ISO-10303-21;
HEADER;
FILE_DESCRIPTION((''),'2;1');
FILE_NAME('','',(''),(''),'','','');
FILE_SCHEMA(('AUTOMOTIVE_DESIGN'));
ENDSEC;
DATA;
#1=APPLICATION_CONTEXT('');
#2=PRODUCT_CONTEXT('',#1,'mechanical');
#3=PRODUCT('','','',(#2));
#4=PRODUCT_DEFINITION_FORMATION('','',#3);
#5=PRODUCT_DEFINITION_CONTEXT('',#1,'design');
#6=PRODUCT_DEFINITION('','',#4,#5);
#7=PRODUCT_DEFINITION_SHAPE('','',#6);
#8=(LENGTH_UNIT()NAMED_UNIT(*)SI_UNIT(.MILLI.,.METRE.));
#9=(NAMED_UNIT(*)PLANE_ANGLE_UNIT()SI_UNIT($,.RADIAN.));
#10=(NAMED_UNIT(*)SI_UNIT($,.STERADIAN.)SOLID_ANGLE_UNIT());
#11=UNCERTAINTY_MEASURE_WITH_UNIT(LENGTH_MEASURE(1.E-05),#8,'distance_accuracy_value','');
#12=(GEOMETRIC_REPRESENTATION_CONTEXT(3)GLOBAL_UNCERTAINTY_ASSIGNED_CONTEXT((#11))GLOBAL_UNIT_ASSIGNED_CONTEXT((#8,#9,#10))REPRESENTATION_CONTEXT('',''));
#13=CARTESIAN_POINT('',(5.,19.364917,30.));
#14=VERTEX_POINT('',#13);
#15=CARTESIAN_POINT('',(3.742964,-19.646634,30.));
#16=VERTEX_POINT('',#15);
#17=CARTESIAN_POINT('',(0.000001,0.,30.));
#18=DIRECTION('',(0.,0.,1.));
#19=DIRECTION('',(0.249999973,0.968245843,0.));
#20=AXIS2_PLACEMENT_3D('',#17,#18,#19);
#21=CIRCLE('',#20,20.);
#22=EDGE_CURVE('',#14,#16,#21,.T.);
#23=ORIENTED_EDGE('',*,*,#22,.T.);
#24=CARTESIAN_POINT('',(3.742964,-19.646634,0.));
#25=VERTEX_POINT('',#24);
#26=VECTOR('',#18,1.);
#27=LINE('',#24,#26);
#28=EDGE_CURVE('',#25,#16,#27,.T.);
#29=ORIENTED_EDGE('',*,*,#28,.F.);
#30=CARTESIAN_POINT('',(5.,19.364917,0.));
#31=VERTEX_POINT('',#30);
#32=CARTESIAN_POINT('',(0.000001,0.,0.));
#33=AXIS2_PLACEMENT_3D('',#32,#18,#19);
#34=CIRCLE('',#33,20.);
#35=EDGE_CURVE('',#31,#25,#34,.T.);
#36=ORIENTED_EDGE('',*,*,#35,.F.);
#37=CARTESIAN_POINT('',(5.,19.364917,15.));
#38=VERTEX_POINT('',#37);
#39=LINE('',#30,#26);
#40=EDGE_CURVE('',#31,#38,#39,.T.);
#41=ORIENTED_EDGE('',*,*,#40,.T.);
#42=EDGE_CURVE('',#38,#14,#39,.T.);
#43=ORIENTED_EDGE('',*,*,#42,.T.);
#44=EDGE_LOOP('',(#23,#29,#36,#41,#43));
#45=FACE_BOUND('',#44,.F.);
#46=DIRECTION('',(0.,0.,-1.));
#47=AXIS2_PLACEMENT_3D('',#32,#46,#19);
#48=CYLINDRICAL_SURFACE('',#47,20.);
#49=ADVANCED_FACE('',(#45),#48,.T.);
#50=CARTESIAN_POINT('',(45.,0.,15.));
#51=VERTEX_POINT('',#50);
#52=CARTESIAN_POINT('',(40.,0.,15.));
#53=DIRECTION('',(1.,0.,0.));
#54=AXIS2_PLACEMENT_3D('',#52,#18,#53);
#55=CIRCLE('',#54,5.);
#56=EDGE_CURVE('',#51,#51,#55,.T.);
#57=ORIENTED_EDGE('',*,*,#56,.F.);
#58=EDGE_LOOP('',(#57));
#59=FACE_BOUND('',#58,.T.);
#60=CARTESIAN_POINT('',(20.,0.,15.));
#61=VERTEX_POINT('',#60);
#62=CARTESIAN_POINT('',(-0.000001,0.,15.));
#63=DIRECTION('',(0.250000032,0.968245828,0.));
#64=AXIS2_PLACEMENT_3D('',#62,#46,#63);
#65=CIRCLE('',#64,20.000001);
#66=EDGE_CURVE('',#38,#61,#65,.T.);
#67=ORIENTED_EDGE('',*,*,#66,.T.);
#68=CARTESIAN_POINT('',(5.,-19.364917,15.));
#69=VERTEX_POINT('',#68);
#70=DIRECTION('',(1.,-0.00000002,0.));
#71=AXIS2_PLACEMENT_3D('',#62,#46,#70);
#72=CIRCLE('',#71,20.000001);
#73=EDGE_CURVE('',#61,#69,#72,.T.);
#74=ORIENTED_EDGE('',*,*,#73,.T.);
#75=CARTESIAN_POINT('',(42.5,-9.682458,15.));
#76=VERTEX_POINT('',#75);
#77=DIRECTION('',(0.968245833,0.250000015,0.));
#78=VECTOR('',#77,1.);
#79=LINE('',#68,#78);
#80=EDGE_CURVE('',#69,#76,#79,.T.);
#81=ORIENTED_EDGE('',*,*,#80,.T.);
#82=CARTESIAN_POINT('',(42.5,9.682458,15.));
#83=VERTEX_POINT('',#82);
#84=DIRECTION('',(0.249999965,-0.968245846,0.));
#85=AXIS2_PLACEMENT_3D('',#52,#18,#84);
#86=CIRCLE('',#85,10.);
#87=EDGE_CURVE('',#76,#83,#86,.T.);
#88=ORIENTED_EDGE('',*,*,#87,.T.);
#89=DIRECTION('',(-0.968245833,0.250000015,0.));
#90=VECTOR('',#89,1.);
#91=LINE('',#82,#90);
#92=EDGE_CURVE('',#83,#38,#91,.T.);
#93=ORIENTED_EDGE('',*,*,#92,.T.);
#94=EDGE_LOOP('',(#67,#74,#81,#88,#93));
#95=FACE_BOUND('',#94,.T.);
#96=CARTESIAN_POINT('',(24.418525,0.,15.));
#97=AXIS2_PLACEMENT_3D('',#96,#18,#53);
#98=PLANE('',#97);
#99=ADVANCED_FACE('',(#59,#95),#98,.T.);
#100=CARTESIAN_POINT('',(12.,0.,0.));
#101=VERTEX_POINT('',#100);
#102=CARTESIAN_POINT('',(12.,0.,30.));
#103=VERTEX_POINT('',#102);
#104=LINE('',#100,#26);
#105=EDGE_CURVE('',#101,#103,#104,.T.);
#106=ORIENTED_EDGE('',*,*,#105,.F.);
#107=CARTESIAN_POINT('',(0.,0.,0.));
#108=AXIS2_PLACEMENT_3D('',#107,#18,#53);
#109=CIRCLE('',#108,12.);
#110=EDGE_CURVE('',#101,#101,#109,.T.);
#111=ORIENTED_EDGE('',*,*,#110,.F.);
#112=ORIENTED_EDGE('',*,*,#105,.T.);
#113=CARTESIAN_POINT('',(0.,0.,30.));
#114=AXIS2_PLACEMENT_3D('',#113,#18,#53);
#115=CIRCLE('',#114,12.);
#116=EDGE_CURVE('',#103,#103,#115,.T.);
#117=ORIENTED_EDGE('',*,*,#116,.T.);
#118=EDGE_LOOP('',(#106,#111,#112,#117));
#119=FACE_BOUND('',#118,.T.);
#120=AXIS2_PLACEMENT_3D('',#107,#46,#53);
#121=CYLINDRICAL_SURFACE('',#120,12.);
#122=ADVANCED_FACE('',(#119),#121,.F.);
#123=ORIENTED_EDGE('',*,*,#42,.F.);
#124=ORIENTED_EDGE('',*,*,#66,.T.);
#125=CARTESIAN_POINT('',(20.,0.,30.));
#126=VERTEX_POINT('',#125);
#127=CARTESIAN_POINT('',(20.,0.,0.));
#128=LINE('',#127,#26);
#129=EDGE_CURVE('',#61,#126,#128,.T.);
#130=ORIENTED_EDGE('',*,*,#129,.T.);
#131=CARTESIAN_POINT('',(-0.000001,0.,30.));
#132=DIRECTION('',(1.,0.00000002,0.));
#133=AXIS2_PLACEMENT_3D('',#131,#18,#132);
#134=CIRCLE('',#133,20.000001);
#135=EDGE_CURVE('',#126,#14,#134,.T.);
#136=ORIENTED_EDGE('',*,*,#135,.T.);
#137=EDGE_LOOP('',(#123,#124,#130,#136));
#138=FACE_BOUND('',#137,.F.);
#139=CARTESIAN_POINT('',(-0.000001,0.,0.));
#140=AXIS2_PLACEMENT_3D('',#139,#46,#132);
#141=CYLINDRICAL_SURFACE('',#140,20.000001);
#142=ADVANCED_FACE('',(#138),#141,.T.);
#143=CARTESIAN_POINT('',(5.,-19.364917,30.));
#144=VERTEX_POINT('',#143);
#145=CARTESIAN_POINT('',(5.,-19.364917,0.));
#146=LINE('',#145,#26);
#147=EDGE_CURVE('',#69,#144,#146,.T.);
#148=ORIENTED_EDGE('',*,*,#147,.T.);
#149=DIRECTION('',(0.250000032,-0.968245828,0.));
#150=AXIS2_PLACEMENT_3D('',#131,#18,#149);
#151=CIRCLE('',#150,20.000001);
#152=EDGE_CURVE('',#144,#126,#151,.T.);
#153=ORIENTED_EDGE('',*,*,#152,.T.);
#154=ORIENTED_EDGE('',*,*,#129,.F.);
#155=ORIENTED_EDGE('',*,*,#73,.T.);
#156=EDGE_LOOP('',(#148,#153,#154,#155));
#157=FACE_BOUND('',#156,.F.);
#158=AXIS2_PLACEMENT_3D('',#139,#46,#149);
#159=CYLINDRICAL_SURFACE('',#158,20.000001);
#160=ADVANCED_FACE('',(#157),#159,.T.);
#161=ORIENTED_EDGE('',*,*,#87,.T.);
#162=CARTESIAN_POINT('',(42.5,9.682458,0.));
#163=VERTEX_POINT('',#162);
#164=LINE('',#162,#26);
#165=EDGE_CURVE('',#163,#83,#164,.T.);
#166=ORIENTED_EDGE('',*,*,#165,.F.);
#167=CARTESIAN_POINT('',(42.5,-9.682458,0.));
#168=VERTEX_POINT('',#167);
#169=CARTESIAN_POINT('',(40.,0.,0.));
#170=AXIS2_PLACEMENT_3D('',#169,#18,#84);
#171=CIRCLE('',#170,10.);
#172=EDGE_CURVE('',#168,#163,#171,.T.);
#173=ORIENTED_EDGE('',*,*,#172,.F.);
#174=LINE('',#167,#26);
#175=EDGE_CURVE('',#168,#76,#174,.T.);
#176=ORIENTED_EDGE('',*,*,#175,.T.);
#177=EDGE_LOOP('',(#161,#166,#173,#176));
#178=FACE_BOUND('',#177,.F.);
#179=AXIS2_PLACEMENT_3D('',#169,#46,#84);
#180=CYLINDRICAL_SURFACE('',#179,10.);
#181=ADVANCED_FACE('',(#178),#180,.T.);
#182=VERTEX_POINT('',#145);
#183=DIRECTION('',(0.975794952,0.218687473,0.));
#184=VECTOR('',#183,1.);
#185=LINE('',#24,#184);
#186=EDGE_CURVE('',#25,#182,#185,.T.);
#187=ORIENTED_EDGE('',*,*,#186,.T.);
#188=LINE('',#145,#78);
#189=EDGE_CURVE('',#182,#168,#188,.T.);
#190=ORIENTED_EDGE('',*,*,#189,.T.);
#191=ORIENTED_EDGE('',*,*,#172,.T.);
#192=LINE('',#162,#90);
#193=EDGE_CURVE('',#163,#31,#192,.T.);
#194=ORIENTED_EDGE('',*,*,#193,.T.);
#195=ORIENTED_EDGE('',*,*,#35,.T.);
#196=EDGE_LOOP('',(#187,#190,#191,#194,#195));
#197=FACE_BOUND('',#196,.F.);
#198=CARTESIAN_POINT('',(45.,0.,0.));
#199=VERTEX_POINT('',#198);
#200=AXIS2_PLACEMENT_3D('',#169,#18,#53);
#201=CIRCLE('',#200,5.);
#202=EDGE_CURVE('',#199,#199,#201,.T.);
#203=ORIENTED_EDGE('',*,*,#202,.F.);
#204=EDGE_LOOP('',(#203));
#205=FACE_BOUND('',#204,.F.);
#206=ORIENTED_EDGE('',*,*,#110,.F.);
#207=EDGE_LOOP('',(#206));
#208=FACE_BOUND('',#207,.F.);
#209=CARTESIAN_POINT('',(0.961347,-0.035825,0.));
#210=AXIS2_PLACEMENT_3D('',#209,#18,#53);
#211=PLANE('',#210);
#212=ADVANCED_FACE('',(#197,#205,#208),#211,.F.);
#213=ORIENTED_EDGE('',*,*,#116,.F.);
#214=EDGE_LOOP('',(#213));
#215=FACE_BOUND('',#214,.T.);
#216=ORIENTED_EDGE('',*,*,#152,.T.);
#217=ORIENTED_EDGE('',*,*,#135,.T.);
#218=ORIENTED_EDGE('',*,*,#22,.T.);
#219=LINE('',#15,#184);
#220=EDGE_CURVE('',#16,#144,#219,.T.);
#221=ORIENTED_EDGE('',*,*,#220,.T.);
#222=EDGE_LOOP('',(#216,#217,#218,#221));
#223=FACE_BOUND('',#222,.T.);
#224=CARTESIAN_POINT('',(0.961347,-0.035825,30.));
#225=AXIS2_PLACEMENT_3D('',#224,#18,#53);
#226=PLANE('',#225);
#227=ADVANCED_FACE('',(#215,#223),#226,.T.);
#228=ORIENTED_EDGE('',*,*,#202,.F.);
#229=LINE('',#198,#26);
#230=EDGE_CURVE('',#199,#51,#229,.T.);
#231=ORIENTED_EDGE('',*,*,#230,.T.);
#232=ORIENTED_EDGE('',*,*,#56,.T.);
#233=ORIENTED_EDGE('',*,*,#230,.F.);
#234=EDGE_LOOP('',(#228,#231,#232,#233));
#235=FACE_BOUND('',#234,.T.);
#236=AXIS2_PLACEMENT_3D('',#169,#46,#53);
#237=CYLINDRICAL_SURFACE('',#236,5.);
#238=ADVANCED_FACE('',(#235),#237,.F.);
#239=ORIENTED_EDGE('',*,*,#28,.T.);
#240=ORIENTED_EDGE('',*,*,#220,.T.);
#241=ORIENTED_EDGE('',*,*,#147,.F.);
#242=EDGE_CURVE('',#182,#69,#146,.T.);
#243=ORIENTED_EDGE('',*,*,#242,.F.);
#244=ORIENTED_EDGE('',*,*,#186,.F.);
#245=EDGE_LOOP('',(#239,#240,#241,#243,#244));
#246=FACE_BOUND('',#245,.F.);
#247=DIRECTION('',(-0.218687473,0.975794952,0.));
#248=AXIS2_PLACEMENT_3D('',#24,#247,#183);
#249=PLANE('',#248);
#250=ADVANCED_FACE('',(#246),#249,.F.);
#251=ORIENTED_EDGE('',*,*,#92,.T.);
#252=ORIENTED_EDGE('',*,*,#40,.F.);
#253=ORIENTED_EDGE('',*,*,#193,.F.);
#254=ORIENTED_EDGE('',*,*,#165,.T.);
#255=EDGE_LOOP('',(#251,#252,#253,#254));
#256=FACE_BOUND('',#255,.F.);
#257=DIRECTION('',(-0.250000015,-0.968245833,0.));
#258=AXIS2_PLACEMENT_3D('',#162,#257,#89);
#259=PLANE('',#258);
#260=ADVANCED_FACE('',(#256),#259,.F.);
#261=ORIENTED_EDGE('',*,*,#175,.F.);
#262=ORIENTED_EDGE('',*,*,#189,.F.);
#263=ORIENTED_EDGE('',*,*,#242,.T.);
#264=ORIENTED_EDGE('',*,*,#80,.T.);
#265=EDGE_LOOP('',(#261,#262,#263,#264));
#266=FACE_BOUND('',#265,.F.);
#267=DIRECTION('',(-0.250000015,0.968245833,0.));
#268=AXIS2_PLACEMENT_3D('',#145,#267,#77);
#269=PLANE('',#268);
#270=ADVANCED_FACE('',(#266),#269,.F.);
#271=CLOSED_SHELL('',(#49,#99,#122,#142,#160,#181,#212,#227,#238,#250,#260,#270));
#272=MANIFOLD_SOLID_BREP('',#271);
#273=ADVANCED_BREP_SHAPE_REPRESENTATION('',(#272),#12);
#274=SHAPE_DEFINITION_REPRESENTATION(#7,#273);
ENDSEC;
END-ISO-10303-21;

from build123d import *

# Parameters (mm, degrees)
F0_R     = 5
F1_DEPTH = 15
F0_R_2   = 12
F2_DEPTH = 30


with BuildPart() as f1:
    # F0 (on Top) → F1 (new body)
    with BuildSketch(Plane.XY):
        with BuildLine():
            ThreePointArc((5, 19.364917), (15.811388, 12.247449), (20, 0))
            ThreePointArc((20, 0), (15.811388, -12.247449), (5, -19.364917))
            Line((5, -19.364917), (42.5, -9.682458))
            ThreePointArc((42.5, -9.682458), (50, 0), (42.5, 9.682458))
            Line((42.5, 9.682458), (5, 19.364917))
        make_face()
        with Locations((40, 0)):
            Circle(F0_R, mode=Mode.SUBTRACT)
    extrude(amount=F1_DEPTH)

    # F0 (on Top) → F2 (join)
    with BuildSketch(Plane.XY):
        with BuildLine():
            ThreePointArc((5, -19.364917), (15.811388, -12.247449), (20, 0))
            ThreePointArc((20, 0), (15.811388, 12.247449), (5, 19.364917))
            ThreePointArc((5, 19.364917), (-19.989625, 0.644109), (3.742964, -19.646634))
            Line((3.742964, -19.646634), (5, -19.364917))
        make_face()
        Circle(F0_R_2, mode=Mode.SUBTRACT)
    extrude(amount=F2_DEPTH)


solid = f1.part
